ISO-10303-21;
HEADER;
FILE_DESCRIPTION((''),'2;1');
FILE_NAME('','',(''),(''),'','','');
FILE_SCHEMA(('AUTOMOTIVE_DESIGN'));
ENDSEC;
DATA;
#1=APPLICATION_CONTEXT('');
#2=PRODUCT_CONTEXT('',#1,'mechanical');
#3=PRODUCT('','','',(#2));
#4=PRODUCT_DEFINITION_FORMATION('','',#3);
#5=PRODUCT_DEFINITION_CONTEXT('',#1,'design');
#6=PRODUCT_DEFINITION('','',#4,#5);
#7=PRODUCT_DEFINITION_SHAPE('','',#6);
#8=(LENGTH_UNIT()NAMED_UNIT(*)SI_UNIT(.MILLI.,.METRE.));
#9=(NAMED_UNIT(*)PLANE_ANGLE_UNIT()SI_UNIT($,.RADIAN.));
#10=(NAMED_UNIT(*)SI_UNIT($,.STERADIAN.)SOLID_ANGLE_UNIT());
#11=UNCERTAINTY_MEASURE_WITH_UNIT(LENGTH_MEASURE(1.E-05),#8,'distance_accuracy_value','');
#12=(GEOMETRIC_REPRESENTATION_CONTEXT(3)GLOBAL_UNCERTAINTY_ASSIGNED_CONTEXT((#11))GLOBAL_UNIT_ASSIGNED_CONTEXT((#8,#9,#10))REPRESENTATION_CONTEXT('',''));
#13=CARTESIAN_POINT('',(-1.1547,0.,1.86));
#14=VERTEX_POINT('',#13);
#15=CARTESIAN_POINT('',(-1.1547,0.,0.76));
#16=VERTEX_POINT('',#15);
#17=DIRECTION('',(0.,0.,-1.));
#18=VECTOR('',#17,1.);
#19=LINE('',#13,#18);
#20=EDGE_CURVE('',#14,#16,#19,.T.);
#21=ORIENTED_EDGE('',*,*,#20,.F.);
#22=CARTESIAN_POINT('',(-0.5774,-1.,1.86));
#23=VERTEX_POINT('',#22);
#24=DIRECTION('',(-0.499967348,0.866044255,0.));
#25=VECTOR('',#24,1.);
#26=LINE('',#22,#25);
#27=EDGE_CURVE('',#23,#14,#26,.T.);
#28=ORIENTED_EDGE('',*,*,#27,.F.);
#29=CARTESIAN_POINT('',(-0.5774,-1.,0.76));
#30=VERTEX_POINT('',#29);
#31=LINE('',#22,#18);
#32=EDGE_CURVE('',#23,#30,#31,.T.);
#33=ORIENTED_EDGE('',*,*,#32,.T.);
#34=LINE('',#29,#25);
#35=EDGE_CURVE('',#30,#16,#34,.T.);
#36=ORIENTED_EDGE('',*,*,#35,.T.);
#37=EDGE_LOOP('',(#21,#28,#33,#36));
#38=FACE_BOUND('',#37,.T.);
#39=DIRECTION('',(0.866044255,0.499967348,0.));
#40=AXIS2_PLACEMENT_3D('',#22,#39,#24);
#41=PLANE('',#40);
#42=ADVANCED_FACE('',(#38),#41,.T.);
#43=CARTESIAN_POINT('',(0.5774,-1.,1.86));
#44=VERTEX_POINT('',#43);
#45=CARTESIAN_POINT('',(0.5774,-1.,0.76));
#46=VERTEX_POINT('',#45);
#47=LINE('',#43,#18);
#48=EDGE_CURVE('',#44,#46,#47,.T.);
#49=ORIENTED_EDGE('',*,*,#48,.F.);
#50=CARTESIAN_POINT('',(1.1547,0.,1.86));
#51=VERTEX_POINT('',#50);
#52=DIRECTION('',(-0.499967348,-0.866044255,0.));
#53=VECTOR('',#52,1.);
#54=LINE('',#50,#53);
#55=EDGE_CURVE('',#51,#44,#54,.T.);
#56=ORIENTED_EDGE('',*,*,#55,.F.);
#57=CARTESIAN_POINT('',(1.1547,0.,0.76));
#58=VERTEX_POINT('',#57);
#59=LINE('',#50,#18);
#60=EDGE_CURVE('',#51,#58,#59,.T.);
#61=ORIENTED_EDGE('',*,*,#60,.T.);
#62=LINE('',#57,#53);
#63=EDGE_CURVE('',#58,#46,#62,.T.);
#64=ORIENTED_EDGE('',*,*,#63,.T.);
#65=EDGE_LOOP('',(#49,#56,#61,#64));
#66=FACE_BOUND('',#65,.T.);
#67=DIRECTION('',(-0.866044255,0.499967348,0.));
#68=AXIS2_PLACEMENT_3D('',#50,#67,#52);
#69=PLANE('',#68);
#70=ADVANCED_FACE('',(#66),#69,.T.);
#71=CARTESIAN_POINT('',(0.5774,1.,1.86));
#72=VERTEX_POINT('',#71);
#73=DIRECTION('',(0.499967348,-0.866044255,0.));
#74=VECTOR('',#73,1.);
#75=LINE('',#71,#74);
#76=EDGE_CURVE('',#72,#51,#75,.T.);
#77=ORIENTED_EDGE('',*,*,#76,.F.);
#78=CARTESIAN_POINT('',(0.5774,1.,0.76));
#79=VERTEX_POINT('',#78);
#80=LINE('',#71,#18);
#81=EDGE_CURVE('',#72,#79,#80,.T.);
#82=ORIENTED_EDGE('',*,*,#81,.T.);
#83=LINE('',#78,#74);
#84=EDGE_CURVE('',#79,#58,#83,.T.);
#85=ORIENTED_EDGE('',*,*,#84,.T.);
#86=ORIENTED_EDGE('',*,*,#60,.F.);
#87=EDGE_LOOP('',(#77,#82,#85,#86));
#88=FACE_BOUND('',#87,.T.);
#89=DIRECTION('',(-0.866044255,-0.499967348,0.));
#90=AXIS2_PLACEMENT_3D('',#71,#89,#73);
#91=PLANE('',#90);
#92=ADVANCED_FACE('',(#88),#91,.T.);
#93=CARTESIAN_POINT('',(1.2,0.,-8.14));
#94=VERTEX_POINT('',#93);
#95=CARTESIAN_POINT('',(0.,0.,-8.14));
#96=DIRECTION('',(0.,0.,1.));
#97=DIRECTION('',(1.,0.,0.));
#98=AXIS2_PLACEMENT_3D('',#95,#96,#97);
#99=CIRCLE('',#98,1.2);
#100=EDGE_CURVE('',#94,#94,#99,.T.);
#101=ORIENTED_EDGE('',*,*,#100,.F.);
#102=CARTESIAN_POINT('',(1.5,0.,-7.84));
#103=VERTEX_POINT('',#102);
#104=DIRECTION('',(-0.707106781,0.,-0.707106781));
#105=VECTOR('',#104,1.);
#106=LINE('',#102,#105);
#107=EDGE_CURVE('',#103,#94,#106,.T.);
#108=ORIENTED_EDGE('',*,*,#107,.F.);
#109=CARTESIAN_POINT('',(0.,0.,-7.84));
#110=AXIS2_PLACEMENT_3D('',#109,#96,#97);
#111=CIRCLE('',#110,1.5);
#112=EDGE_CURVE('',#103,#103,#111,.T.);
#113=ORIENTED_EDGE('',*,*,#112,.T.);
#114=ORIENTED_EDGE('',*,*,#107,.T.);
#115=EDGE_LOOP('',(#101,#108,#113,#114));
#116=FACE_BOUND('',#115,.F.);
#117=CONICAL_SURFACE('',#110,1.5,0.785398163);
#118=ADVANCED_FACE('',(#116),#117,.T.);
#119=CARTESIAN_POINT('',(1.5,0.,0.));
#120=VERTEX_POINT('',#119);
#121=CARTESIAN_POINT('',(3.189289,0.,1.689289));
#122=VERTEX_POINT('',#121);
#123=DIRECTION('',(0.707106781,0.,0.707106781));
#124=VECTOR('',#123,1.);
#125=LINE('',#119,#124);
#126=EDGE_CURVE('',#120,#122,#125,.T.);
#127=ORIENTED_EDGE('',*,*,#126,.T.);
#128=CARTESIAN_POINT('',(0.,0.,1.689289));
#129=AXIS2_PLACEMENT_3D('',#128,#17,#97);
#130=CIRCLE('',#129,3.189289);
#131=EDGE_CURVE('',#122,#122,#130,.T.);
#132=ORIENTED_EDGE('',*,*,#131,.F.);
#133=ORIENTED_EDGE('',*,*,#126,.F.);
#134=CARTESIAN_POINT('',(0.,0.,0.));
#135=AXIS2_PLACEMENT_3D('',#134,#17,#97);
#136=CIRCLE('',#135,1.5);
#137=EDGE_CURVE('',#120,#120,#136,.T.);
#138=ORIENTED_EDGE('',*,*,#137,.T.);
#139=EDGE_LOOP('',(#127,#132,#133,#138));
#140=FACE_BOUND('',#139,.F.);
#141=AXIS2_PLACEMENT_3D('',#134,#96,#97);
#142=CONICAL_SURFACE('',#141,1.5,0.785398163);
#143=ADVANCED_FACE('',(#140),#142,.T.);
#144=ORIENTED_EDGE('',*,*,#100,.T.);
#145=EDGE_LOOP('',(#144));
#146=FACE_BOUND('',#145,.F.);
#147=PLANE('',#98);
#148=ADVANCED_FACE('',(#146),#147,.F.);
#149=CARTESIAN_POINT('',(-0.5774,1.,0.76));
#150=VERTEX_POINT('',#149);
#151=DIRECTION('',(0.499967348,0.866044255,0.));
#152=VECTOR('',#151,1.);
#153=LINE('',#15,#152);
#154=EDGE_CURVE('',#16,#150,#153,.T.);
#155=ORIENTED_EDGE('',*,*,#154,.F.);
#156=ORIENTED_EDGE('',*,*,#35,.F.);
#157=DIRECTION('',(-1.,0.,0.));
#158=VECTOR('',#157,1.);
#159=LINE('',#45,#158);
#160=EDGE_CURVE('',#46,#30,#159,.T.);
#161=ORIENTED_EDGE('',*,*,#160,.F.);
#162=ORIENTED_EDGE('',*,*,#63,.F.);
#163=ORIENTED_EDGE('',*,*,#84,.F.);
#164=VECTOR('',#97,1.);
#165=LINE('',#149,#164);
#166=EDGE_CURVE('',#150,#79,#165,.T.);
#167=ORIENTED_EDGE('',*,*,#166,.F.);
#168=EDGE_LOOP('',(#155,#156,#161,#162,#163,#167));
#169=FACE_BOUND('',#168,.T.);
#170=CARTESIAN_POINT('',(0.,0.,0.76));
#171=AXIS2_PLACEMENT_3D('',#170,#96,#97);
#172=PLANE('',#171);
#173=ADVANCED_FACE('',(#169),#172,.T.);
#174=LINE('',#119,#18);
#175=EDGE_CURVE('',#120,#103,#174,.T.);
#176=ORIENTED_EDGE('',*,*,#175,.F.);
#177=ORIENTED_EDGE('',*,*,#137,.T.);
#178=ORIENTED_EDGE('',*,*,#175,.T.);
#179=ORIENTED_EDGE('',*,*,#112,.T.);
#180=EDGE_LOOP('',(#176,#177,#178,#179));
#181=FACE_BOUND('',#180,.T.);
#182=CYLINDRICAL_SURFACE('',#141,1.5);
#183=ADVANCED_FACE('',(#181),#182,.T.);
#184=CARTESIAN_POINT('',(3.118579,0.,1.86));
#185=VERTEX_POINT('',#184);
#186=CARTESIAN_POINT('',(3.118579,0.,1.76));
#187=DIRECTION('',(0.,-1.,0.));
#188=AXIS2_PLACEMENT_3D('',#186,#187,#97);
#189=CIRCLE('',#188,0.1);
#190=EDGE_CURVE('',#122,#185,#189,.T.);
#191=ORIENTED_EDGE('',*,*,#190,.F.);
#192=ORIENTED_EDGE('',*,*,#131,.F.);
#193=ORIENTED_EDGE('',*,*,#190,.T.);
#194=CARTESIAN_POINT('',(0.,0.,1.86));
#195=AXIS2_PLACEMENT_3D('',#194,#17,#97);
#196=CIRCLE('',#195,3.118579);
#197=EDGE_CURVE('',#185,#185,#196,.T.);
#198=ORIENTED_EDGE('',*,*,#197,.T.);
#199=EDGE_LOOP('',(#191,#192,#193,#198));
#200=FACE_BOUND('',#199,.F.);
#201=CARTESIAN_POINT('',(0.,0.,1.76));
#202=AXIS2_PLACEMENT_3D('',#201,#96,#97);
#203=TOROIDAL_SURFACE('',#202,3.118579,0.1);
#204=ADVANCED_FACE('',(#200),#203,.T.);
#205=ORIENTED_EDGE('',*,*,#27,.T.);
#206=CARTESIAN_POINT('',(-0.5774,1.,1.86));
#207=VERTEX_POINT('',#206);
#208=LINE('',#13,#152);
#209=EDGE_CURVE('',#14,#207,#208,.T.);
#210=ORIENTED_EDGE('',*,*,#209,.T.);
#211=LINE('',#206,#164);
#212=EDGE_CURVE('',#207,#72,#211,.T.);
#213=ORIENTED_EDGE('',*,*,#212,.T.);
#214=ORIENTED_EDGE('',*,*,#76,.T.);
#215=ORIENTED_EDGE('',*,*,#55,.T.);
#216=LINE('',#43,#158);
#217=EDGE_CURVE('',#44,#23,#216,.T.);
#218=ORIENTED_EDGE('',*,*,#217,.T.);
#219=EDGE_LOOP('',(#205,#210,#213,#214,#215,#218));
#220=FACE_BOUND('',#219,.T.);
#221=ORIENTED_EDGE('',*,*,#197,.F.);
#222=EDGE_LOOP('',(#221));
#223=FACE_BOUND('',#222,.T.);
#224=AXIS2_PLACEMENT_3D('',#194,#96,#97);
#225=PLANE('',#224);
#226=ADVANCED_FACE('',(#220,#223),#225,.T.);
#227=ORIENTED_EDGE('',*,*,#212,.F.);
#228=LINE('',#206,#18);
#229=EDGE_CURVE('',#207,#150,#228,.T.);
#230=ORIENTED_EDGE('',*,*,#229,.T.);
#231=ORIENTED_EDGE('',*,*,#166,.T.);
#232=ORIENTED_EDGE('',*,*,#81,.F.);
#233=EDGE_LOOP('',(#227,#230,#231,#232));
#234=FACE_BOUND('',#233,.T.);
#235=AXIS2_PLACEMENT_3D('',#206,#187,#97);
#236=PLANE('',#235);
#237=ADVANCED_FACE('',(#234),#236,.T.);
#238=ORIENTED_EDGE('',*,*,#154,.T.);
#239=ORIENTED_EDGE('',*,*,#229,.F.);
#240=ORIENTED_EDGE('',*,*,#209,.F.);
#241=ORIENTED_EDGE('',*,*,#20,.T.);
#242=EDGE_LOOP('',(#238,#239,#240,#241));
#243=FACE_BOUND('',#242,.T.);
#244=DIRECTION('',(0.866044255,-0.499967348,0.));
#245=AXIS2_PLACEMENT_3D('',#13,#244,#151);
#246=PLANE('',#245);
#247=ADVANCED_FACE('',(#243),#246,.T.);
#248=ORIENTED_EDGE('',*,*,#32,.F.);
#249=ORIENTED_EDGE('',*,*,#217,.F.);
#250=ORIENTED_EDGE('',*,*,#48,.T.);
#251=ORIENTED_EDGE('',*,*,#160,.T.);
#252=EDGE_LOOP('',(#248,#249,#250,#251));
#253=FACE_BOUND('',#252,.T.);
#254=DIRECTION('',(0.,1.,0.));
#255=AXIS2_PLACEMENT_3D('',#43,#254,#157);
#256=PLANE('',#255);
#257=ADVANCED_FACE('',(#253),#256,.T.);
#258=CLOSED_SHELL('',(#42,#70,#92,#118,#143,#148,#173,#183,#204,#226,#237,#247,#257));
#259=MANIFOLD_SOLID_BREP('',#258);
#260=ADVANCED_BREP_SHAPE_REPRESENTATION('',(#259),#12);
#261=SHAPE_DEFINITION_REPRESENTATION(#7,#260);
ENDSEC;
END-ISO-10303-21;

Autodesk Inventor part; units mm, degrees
ref_plane "YZ Plane" through (0, 0, 0) normal (1, 0, 0) x (0, 1, 0)
ref_plane "XZ Plane" through (0, 0, 0) normal (0, 1, 0) x (-1, 0, 0)
ref_plane "XY Plane" through (0, 0, 0) normal (0, 0, 1) x (1, 0, 0)
sketch "Sketch2" plane through (0, 0, 0) normal (0, 0, 1) x (1, 0, 0)
  circle A0 centre (0, 0) radius 1.5
  dimension "Diameter" = 3
extrude "Extrusion1" add sketch "Sketch2" against normal blind 8.14
sketch "Sketch3" plane through (0, 0, 0) normal (0, 0, 1) x (1, 0, 0)
  circle A0 centre (0, 0) radius 1.5 projected
extrude "Extrusion2" add sketch "Sketch3" along normal blind 1.86 draft 45
sketch "Sketch4" plane through (0, 0, 1.86) normal (0, 0, 1) x (1, 0, 0)
  circle A0 centre (0, 0) radius 3.36 projected
  line L0 (0.5774, 1) -> (1.1547, 0)
  line L1 (1.1547, 0) -> (0.5774, -1)
  line L2 (0.5774, -1) -> (-0.5774, -1)
  line L3 (-0.5774, -1) -> (-1.1547, 0)
  line L4 (-1.1547, 0) -> (-0.5774, 1)
  line L5 (-0.5774, 1) -> (0.5774, 1)
  line L6 (0, 0) -> (1.1547, 0) construction
  dimension "Hex_Width" = 2
extrude "Extrusion3" cut sketch "Sketch4" against normal blind 1.1 contours L0 L1 L2 L3 L4 L5
thread "Thread1" size "M3x0.5" class "6g" standard "ANSI Metric M Profile-Short lst" length 8.14
chamfer "Chamfer1" distance 0.3 angle 45 1 edges at (-1.5, 0, -8.14)
fillet "Fillet1" radius 0.1 1 edges at (-3.36, 0, 1.86)
equation "\"Length1\" = Length - Head_Height"
equation "\"Thread_Length\" = Length1"
equation "\"Length\" = 10"
equation "\"Head_Height\" = 1.86"
properties part number "SCREW,FLAT-HD,P,10_9,M03X0_50X010MM" material "Steel, MS"
